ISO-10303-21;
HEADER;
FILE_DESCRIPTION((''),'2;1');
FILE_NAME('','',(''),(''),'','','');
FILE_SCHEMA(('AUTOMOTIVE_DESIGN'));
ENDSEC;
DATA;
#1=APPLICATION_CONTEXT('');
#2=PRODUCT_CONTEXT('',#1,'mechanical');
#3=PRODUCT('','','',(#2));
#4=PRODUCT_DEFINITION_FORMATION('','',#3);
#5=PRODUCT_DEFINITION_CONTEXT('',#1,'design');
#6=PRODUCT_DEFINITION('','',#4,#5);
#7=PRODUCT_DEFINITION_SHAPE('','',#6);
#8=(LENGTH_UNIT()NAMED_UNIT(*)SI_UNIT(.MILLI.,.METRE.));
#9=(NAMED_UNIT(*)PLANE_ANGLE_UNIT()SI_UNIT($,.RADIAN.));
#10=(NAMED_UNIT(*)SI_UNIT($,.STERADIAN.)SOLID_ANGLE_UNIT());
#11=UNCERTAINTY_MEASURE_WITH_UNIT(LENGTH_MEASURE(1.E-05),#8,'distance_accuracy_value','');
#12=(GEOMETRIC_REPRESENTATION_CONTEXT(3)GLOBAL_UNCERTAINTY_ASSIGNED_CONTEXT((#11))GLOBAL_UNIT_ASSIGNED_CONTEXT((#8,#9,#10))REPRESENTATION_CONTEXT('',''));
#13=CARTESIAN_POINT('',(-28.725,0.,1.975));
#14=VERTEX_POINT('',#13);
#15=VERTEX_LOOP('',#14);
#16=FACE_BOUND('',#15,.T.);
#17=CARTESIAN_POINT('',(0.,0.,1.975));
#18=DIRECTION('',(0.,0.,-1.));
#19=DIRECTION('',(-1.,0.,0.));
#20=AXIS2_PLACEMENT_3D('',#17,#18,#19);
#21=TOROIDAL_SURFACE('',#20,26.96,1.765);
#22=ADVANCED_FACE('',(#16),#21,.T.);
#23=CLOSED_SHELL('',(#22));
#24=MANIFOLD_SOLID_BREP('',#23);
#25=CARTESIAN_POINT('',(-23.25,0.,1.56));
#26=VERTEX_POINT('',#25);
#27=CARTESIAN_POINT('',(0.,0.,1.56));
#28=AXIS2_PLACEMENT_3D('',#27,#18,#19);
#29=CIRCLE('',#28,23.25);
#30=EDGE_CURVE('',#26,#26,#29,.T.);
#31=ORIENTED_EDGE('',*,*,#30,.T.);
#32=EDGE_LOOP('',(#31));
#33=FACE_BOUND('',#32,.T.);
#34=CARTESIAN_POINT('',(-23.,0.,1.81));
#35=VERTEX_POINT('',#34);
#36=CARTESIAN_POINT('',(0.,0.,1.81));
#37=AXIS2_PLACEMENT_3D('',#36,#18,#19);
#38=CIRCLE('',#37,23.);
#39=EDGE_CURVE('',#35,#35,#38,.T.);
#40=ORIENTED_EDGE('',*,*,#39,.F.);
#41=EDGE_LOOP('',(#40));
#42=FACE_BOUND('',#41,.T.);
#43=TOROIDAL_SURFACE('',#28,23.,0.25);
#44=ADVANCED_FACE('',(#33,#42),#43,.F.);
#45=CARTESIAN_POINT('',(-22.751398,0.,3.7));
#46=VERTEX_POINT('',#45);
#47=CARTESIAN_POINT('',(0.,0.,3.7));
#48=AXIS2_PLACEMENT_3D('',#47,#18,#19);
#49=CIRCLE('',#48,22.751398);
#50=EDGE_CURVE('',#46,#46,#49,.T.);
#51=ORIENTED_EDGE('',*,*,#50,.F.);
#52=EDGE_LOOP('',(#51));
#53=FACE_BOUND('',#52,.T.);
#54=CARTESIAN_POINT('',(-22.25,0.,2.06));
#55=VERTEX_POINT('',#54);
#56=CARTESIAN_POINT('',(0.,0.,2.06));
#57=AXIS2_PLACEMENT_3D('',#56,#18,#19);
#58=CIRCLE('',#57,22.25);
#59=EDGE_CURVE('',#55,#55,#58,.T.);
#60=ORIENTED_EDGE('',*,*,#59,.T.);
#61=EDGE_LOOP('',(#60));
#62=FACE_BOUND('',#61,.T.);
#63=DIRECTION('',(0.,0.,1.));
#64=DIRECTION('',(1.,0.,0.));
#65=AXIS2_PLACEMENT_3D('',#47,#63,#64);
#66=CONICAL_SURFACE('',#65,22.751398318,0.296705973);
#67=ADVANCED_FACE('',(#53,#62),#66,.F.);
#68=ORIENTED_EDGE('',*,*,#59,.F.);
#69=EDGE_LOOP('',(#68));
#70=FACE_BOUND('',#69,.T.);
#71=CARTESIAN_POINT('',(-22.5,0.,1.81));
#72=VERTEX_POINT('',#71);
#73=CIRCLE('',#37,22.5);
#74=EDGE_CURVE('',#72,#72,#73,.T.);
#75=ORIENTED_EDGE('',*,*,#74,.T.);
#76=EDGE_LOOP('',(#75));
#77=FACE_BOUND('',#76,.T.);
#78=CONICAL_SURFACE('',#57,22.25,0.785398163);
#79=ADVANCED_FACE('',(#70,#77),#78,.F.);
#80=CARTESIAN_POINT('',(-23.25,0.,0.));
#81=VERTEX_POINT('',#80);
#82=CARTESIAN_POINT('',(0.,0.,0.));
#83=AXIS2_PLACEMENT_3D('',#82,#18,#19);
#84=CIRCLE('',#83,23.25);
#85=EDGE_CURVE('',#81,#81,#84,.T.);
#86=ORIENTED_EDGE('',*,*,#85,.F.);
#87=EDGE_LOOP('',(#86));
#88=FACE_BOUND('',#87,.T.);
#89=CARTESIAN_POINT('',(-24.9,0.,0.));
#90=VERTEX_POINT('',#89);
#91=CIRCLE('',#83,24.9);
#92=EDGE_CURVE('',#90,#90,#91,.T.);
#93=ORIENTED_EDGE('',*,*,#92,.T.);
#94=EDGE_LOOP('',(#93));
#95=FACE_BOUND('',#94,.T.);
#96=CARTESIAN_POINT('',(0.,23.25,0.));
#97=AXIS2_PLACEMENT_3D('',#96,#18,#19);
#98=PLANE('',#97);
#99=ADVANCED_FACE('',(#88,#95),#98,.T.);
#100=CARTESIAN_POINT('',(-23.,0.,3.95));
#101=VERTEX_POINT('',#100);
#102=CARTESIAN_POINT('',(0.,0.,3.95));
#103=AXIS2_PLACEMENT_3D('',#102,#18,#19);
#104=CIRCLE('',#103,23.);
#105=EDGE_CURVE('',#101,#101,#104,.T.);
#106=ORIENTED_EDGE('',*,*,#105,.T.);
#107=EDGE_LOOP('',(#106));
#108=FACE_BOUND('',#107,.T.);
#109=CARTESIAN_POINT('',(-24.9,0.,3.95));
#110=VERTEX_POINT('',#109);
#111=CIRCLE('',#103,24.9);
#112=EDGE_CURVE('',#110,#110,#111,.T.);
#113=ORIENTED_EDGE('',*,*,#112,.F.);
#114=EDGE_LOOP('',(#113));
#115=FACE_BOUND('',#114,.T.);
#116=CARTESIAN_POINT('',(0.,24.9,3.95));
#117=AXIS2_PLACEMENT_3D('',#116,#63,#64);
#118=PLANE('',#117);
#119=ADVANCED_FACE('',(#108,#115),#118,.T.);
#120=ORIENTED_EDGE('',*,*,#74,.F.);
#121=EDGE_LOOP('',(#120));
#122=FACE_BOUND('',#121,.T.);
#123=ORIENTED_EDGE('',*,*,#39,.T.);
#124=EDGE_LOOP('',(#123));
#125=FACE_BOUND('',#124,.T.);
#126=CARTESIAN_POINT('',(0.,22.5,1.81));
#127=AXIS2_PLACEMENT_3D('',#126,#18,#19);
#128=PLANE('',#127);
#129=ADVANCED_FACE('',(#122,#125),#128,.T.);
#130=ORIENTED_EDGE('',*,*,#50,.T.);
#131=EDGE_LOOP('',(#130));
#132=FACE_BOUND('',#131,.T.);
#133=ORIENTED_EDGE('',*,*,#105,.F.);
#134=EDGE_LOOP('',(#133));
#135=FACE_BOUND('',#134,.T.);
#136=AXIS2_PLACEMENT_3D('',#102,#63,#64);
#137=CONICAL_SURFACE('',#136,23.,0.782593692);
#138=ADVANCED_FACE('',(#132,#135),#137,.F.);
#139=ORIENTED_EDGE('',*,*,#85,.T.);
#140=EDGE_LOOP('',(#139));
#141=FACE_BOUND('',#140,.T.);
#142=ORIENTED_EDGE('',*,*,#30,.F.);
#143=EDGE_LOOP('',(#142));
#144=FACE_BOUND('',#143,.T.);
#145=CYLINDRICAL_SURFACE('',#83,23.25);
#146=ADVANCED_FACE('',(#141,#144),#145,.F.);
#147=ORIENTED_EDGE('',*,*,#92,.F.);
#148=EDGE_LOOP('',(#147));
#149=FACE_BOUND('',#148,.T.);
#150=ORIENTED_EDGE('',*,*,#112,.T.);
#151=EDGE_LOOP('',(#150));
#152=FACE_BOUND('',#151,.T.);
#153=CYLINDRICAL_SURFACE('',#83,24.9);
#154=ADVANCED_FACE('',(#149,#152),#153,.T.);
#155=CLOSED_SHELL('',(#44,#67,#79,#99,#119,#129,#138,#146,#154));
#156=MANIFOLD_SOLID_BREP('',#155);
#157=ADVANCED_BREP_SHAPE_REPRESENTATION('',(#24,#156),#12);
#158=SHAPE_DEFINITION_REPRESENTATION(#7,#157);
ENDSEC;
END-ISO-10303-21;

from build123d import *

# Parameters (mm, degrees)
SKETCH4_R = 1.765


with BuildPart() as part:
    # Sketch1 → Revolve1 (revolve)
    with BuildSketch(Plane(origin=(0, 0, 0), x_dir=(0, 0, -1), z_dir=(1, 0, 0))):
        with BuildLine():
            Line((0, 23.25), (0, 24.9))
            Line((0, 24.9), (-3.95, 24.9))
            Line((-3.95, 24.9), (-3.95, 23))
            Line((-3.95, 23), (-3.7, 22.751398318))
            Line((-3.7, 22.751398318), (-2.06, 22.25))
            Line((-2.06, 22.25), (-1.81, 22.5))
            Line((-1.81, 22.5), (-1.81, 23))
            ThreePointArc((-1.81, 23), (-1.736776695, 23.176776695), (-1.56, 23.25))
            Line((-1.56, 23.25), (0, 23.25))
        make_face()
    revolve(axis=Axis((0, 0, 0), (0, 0, 1)))


with BuildPart() as body_2:
    # Sketch4 → Revolve2 (revolve)
    with BuildSketch(Plane(origin=(0, 0, 0), x_dir=(0, 0, -1), z_dir=(1, 0, 0))):
        with Locations((-1.975, 26.96)):
            Circle(SKETCH4_R)
    revolve(axis=Axis((0, 0, 0), (0, 0, 1)))


solid = Compound([part.part, body_2.part])
